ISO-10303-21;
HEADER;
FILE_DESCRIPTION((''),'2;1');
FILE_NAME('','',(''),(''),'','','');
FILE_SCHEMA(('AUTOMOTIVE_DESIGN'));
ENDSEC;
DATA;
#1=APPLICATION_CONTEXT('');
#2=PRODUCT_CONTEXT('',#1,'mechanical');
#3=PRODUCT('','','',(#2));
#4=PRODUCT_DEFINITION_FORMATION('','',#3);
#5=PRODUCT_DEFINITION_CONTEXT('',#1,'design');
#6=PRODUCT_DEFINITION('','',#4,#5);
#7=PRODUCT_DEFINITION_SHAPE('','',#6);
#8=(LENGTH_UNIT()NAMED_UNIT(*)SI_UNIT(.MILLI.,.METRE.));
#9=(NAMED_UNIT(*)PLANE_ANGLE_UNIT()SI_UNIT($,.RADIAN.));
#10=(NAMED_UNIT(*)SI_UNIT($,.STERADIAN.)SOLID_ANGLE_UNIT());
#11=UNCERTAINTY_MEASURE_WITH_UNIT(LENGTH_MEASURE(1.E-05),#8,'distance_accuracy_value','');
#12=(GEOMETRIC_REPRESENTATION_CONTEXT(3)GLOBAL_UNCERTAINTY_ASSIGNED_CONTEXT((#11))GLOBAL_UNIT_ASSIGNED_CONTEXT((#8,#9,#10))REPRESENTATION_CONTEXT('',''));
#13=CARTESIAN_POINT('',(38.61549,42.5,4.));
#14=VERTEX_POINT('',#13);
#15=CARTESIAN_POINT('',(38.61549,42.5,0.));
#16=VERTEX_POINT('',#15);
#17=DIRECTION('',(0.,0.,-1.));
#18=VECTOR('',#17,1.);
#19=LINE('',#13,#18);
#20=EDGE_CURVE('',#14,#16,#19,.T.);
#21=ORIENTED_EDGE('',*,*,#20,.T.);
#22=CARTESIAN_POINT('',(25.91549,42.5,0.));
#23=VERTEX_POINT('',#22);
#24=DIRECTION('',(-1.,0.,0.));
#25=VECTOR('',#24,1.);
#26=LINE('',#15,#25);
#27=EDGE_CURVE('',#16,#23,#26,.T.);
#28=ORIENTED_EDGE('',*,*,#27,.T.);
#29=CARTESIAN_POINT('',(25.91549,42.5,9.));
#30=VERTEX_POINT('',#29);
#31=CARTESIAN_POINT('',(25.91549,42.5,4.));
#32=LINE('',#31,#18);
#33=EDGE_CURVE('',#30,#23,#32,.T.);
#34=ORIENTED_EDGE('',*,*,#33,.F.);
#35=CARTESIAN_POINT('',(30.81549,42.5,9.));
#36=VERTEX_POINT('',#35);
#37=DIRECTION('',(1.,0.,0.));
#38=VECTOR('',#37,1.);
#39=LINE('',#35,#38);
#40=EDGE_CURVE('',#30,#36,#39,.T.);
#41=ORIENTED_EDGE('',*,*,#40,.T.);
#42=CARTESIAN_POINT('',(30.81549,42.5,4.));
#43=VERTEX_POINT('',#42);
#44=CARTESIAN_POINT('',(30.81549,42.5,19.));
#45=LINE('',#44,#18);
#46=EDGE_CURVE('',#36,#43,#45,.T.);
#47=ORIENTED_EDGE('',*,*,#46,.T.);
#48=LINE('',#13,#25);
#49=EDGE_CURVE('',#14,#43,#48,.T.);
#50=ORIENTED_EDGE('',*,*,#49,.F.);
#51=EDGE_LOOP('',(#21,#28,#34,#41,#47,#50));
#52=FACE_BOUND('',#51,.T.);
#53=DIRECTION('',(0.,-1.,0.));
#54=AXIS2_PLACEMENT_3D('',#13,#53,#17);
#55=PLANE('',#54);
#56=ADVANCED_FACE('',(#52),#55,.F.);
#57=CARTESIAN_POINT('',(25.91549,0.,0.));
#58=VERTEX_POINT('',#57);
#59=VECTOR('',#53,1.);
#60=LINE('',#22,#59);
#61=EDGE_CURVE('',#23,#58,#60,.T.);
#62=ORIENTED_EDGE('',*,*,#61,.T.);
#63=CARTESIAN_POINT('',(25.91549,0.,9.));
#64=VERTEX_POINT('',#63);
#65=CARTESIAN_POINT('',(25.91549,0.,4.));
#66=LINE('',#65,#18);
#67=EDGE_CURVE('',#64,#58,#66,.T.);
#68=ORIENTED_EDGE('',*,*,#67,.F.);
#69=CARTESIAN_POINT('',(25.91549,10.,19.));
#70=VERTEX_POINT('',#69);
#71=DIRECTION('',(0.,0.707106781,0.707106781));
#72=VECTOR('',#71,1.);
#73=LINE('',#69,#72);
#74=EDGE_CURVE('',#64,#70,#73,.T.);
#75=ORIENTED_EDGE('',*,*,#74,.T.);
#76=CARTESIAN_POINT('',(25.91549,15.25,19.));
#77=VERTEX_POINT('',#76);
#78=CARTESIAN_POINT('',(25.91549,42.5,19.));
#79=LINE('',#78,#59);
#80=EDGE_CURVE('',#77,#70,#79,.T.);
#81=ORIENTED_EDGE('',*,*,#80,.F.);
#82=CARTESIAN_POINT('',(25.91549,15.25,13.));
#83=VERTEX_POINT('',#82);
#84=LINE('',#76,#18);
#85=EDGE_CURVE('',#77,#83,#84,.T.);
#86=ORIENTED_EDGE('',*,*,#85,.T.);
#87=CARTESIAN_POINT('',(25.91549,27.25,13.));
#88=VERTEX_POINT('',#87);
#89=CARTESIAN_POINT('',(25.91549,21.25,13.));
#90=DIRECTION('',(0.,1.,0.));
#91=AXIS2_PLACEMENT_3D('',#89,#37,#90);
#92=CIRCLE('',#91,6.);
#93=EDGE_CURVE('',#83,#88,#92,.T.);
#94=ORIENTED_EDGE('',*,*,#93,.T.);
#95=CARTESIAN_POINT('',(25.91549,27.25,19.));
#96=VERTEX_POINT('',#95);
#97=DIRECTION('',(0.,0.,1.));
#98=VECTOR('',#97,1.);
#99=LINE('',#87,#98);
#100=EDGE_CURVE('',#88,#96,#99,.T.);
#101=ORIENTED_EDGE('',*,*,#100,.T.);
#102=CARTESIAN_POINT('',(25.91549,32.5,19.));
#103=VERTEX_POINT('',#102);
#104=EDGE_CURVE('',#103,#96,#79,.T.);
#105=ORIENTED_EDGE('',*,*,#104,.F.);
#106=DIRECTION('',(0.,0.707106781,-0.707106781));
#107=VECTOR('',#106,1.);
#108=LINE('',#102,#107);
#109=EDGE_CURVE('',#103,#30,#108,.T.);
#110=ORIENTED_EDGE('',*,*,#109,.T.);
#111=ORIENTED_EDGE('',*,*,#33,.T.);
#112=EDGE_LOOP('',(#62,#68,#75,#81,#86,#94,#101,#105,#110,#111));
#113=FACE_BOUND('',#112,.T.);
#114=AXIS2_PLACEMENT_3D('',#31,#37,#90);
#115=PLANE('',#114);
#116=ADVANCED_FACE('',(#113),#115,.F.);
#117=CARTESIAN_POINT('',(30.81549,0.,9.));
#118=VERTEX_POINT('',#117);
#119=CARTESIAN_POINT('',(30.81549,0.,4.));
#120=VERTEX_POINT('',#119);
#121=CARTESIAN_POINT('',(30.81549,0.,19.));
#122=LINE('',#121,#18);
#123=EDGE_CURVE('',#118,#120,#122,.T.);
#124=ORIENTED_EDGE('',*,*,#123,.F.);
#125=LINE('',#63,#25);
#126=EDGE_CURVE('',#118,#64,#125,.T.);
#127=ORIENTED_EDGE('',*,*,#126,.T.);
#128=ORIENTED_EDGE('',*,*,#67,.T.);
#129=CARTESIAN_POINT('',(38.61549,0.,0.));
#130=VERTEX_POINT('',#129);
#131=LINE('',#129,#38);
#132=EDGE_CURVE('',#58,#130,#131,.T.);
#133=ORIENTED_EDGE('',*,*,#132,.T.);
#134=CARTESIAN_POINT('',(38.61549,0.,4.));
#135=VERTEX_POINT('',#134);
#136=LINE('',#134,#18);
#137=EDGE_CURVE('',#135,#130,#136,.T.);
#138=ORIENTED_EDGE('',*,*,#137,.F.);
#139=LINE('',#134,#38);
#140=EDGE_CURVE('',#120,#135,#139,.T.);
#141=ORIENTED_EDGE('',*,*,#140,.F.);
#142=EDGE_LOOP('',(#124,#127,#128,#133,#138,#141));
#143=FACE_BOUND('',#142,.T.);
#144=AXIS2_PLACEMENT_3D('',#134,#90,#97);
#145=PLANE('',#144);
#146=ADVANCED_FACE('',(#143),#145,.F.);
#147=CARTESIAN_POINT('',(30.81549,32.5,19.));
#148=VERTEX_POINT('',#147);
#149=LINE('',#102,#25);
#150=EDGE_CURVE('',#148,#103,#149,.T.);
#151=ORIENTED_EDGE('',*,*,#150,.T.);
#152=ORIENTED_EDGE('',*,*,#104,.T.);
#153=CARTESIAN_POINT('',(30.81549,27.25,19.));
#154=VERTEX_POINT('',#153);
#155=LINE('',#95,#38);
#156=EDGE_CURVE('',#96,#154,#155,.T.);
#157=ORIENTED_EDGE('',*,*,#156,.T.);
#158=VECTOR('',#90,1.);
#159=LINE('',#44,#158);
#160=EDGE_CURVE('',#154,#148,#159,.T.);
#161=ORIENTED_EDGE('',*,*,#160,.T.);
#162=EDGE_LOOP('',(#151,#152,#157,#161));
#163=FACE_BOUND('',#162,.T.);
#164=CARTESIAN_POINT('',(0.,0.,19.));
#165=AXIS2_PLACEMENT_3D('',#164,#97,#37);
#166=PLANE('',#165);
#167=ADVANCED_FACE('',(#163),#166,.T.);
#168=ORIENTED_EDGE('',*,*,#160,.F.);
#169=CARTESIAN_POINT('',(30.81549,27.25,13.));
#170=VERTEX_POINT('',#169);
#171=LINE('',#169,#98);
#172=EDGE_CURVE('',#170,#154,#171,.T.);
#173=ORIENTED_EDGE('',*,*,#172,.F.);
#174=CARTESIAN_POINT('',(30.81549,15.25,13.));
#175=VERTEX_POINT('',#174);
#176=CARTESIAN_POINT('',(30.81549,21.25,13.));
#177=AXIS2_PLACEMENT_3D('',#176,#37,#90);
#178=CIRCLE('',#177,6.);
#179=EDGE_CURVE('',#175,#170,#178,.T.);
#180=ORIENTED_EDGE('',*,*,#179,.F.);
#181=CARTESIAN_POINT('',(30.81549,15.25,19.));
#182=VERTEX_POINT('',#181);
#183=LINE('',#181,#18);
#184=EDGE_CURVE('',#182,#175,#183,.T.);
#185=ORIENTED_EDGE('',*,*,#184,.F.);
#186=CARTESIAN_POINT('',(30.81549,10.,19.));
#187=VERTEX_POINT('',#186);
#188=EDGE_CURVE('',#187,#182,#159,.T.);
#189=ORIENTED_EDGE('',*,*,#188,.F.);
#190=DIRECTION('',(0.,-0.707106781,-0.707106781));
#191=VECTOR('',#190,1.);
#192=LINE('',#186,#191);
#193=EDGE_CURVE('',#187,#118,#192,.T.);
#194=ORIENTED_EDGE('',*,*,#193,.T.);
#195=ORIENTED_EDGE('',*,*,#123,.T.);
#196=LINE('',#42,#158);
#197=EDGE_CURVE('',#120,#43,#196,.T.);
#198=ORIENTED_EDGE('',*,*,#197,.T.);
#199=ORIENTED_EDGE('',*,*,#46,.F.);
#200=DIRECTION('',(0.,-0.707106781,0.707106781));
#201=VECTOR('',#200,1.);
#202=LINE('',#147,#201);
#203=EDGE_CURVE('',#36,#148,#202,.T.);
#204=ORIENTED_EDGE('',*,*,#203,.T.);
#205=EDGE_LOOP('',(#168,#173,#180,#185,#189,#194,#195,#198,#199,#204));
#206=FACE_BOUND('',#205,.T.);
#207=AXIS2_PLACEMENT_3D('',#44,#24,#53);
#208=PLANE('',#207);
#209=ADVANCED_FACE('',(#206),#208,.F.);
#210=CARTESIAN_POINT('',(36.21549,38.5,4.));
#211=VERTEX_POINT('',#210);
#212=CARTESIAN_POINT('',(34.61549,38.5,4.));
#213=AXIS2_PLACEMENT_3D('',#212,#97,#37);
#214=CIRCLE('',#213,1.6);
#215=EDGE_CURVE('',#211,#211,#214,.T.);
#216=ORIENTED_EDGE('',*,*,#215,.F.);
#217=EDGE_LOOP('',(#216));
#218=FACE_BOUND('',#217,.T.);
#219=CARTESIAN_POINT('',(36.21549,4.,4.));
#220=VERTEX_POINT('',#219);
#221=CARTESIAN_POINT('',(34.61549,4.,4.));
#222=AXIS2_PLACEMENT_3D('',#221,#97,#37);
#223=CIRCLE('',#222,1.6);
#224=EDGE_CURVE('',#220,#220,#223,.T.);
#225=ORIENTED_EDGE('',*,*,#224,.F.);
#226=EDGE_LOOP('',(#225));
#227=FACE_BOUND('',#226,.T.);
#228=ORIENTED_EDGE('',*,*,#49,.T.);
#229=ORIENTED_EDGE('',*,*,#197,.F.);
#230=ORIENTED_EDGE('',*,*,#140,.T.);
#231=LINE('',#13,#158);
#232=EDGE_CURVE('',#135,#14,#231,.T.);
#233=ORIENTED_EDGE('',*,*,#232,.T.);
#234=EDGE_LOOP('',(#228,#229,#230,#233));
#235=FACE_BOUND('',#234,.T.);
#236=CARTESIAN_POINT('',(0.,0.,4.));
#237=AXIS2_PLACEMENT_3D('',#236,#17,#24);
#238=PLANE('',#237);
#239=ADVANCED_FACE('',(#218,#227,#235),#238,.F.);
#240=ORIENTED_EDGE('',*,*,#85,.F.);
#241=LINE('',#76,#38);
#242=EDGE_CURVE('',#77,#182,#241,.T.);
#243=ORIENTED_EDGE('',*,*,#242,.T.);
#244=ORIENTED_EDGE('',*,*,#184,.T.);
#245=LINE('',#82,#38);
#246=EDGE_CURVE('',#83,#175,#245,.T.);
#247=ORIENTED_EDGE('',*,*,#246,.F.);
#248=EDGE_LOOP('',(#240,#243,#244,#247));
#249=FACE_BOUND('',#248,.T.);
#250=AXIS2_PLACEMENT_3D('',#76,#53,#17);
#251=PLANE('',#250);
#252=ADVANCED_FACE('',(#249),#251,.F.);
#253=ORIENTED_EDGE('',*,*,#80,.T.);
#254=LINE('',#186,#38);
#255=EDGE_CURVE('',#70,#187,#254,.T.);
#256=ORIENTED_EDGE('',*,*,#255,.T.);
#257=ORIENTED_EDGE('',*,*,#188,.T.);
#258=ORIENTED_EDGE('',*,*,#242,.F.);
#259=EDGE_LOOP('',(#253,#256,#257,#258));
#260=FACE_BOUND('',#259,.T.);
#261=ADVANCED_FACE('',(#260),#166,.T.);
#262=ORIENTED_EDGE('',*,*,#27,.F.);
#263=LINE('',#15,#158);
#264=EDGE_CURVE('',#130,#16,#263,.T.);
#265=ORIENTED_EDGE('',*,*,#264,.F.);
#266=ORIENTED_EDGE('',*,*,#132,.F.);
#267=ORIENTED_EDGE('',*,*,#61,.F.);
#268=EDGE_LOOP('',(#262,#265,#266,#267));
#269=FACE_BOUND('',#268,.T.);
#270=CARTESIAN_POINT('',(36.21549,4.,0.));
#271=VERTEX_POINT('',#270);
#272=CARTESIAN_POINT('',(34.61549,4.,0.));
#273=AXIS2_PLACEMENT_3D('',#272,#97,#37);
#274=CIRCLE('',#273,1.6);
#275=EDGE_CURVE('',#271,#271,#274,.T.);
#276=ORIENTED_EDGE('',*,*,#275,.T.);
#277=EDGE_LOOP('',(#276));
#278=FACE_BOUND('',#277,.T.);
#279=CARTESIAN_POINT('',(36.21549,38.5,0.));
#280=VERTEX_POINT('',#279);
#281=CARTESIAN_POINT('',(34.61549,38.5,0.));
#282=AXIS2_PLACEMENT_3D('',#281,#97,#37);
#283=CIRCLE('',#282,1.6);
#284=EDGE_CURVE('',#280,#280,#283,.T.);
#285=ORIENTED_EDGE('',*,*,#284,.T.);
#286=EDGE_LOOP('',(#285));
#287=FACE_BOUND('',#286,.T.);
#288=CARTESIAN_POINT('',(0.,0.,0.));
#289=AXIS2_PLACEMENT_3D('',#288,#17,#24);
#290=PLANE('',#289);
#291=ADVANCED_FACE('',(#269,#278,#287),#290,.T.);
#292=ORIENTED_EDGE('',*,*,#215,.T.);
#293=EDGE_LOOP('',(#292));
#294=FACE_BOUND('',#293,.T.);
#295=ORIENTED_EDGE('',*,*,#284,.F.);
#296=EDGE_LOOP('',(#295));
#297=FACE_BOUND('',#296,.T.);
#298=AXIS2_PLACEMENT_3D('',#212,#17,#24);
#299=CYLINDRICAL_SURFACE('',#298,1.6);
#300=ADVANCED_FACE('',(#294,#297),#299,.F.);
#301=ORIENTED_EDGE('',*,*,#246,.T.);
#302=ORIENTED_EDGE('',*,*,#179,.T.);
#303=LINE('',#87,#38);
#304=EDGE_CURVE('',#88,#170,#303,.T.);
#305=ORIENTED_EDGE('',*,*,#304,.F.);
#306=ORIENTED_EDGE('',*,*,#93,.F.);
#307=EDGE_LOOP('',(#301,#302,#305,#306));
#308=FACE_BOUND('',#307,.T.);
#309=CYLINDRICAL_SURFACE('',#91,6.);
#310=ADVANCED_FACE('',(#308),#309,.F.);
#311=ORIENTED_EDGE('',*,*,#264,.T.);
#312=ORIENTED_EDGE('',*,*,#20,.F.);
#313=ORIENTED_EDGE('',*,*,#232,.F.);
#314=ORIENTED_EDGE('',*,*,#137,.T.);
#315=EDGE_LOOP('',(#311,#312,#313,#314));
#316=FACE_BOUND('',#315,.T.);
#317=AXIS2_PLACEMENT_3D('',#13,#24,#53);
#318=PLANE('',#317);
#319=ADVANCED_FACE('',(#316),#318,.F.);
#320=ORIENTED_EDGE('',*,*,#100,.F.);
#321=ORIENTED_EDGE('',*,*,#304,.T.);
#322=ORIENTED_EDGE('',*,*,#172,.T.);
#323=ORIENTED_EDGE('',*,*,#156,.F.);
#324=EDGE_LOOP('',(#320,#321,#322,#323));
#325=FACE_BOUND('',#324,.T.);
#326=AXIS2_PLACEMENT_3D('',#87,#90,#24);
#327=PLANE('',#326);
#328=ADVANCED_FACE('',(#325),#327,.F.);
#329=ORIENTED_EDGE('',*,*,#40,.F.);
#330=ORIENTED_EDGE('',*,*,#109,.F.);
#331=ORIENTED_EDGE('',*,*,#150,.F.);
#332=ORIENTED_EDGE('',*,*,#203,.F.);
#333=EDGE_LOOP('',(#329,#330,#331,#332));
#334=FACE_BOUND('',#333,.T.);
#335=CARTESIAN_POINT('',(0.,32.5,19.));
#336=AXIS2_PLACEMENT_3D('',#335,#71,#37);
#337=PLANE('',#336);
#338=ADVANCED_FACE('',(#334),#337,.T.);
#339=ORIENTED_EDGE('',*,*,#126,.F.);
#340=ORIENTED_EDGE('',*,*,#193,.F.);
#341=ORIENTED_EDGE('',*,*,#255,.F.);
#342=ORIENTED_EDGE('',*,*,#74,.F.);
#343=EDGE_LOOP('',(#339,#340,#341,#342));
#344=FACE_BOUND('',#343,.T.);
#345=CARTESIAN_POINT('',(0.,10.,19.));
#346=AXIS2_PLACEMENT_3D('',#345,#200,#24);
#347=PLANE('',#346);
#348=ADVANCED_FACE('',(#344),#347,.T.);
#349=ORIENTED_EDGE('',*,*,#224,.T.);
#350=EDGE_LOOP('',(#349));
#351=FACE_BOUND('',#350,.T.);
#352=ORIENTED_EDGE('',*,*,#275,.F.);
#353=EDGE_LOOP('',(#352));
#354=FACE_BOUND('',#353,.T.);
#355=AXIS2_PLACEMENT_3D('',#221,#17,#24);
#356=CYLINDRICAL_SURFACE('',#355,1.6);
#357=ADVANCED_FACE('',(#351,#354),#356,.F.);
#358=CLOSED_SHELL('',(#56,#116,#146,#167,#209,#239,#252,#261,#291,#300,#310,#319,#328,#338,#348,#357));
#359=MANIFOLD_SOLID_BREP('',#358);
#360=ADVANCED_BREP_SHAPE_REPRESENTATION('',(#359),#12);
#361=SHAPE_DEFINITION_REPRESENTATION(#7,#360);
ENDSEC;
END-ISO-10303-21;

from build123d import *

# Parameters (mm, degrees)
ESQUISSE1_W             = 12.7
ESQUISSE1_H             = 42.5
ESQUISSE1_R             = 1.6
BOSS_EXTRU_1_DEPTH      = 4
ESQUISSE2_W             = 4.9
ESQUISSE2_H             = 42.5
BOSS_EXTRU_2_DEPTH      = 15
ENL_V_MAT_EXTRU_1_DEPTH = 5.9
CHANFREIN1_SIZE         = 10


with BuildPart() as part:
    # Esquisse1 → Boss.-Extru.1 (new body)
    with BuildSketch(Plane.XY):
        with Locations((32.265489842, 21.249999998)):
            Rectangle(ESQUISSE1_W, ESQUISSE1_H)
        with Locations((34.615489842, 3.999999998)):
            Circle(ESQUISSE1_R, mode=Mode.SUBTRACT)
        with Locations((34.615489842, 38.499999998)):
            Circle(ESQUISSE1_R, mode=Mode.SUBTRACT)
    extrude(amount=BOSS_EXTRU_1_DEPTH)

    # Esquisse2 → Boss.-Extru.2 (add)
    with BuildSketch(Plane.XY.offset(4)):
        with Locations((28.365489842, 21.249999998)):
            Rectangle(ESQUISSE2_W, ESQUISSE2_H)
    extrude(amount=BOSS_EXTRU_2_DEPTH)

    # Esquisse3 → Enlèv. mat.-Extru.1 (cut, through all)
    with BuildSketch(Plane(origin=(30.815489842, 0, 0), x_dir=(0, 0, -1), z_dir=(1, 0, 0))):
        with BuildLine():
            Line((-13, 27.250000431), (-19, 27.250000431))
            Line((-19, 27.250000431), (-19, 15.250000431))
            Line((-19, 15.250000431), (-13, 15.250000431))
            ThreePointArc((-13, 15.250000431), (-7, 21.250000431), (-13, 27.250000431))
        make_face()
    extrude(amount=-ENL_V_MAT_EXTRU_1_DEPTH, mode=Mode.SUBTRACT)

    # Chanfrein1
    chanfrein1_edges = [part.edges().sort_by_distance(p)[0] for p in [
        (28.365489842, 42.499999998, 19),
        (28.365489842, -2e-09, 19),
    ]]
    chamfer(chanfrein1_edges, length=CHANFREIN1_SIZE)


solid = part.part
